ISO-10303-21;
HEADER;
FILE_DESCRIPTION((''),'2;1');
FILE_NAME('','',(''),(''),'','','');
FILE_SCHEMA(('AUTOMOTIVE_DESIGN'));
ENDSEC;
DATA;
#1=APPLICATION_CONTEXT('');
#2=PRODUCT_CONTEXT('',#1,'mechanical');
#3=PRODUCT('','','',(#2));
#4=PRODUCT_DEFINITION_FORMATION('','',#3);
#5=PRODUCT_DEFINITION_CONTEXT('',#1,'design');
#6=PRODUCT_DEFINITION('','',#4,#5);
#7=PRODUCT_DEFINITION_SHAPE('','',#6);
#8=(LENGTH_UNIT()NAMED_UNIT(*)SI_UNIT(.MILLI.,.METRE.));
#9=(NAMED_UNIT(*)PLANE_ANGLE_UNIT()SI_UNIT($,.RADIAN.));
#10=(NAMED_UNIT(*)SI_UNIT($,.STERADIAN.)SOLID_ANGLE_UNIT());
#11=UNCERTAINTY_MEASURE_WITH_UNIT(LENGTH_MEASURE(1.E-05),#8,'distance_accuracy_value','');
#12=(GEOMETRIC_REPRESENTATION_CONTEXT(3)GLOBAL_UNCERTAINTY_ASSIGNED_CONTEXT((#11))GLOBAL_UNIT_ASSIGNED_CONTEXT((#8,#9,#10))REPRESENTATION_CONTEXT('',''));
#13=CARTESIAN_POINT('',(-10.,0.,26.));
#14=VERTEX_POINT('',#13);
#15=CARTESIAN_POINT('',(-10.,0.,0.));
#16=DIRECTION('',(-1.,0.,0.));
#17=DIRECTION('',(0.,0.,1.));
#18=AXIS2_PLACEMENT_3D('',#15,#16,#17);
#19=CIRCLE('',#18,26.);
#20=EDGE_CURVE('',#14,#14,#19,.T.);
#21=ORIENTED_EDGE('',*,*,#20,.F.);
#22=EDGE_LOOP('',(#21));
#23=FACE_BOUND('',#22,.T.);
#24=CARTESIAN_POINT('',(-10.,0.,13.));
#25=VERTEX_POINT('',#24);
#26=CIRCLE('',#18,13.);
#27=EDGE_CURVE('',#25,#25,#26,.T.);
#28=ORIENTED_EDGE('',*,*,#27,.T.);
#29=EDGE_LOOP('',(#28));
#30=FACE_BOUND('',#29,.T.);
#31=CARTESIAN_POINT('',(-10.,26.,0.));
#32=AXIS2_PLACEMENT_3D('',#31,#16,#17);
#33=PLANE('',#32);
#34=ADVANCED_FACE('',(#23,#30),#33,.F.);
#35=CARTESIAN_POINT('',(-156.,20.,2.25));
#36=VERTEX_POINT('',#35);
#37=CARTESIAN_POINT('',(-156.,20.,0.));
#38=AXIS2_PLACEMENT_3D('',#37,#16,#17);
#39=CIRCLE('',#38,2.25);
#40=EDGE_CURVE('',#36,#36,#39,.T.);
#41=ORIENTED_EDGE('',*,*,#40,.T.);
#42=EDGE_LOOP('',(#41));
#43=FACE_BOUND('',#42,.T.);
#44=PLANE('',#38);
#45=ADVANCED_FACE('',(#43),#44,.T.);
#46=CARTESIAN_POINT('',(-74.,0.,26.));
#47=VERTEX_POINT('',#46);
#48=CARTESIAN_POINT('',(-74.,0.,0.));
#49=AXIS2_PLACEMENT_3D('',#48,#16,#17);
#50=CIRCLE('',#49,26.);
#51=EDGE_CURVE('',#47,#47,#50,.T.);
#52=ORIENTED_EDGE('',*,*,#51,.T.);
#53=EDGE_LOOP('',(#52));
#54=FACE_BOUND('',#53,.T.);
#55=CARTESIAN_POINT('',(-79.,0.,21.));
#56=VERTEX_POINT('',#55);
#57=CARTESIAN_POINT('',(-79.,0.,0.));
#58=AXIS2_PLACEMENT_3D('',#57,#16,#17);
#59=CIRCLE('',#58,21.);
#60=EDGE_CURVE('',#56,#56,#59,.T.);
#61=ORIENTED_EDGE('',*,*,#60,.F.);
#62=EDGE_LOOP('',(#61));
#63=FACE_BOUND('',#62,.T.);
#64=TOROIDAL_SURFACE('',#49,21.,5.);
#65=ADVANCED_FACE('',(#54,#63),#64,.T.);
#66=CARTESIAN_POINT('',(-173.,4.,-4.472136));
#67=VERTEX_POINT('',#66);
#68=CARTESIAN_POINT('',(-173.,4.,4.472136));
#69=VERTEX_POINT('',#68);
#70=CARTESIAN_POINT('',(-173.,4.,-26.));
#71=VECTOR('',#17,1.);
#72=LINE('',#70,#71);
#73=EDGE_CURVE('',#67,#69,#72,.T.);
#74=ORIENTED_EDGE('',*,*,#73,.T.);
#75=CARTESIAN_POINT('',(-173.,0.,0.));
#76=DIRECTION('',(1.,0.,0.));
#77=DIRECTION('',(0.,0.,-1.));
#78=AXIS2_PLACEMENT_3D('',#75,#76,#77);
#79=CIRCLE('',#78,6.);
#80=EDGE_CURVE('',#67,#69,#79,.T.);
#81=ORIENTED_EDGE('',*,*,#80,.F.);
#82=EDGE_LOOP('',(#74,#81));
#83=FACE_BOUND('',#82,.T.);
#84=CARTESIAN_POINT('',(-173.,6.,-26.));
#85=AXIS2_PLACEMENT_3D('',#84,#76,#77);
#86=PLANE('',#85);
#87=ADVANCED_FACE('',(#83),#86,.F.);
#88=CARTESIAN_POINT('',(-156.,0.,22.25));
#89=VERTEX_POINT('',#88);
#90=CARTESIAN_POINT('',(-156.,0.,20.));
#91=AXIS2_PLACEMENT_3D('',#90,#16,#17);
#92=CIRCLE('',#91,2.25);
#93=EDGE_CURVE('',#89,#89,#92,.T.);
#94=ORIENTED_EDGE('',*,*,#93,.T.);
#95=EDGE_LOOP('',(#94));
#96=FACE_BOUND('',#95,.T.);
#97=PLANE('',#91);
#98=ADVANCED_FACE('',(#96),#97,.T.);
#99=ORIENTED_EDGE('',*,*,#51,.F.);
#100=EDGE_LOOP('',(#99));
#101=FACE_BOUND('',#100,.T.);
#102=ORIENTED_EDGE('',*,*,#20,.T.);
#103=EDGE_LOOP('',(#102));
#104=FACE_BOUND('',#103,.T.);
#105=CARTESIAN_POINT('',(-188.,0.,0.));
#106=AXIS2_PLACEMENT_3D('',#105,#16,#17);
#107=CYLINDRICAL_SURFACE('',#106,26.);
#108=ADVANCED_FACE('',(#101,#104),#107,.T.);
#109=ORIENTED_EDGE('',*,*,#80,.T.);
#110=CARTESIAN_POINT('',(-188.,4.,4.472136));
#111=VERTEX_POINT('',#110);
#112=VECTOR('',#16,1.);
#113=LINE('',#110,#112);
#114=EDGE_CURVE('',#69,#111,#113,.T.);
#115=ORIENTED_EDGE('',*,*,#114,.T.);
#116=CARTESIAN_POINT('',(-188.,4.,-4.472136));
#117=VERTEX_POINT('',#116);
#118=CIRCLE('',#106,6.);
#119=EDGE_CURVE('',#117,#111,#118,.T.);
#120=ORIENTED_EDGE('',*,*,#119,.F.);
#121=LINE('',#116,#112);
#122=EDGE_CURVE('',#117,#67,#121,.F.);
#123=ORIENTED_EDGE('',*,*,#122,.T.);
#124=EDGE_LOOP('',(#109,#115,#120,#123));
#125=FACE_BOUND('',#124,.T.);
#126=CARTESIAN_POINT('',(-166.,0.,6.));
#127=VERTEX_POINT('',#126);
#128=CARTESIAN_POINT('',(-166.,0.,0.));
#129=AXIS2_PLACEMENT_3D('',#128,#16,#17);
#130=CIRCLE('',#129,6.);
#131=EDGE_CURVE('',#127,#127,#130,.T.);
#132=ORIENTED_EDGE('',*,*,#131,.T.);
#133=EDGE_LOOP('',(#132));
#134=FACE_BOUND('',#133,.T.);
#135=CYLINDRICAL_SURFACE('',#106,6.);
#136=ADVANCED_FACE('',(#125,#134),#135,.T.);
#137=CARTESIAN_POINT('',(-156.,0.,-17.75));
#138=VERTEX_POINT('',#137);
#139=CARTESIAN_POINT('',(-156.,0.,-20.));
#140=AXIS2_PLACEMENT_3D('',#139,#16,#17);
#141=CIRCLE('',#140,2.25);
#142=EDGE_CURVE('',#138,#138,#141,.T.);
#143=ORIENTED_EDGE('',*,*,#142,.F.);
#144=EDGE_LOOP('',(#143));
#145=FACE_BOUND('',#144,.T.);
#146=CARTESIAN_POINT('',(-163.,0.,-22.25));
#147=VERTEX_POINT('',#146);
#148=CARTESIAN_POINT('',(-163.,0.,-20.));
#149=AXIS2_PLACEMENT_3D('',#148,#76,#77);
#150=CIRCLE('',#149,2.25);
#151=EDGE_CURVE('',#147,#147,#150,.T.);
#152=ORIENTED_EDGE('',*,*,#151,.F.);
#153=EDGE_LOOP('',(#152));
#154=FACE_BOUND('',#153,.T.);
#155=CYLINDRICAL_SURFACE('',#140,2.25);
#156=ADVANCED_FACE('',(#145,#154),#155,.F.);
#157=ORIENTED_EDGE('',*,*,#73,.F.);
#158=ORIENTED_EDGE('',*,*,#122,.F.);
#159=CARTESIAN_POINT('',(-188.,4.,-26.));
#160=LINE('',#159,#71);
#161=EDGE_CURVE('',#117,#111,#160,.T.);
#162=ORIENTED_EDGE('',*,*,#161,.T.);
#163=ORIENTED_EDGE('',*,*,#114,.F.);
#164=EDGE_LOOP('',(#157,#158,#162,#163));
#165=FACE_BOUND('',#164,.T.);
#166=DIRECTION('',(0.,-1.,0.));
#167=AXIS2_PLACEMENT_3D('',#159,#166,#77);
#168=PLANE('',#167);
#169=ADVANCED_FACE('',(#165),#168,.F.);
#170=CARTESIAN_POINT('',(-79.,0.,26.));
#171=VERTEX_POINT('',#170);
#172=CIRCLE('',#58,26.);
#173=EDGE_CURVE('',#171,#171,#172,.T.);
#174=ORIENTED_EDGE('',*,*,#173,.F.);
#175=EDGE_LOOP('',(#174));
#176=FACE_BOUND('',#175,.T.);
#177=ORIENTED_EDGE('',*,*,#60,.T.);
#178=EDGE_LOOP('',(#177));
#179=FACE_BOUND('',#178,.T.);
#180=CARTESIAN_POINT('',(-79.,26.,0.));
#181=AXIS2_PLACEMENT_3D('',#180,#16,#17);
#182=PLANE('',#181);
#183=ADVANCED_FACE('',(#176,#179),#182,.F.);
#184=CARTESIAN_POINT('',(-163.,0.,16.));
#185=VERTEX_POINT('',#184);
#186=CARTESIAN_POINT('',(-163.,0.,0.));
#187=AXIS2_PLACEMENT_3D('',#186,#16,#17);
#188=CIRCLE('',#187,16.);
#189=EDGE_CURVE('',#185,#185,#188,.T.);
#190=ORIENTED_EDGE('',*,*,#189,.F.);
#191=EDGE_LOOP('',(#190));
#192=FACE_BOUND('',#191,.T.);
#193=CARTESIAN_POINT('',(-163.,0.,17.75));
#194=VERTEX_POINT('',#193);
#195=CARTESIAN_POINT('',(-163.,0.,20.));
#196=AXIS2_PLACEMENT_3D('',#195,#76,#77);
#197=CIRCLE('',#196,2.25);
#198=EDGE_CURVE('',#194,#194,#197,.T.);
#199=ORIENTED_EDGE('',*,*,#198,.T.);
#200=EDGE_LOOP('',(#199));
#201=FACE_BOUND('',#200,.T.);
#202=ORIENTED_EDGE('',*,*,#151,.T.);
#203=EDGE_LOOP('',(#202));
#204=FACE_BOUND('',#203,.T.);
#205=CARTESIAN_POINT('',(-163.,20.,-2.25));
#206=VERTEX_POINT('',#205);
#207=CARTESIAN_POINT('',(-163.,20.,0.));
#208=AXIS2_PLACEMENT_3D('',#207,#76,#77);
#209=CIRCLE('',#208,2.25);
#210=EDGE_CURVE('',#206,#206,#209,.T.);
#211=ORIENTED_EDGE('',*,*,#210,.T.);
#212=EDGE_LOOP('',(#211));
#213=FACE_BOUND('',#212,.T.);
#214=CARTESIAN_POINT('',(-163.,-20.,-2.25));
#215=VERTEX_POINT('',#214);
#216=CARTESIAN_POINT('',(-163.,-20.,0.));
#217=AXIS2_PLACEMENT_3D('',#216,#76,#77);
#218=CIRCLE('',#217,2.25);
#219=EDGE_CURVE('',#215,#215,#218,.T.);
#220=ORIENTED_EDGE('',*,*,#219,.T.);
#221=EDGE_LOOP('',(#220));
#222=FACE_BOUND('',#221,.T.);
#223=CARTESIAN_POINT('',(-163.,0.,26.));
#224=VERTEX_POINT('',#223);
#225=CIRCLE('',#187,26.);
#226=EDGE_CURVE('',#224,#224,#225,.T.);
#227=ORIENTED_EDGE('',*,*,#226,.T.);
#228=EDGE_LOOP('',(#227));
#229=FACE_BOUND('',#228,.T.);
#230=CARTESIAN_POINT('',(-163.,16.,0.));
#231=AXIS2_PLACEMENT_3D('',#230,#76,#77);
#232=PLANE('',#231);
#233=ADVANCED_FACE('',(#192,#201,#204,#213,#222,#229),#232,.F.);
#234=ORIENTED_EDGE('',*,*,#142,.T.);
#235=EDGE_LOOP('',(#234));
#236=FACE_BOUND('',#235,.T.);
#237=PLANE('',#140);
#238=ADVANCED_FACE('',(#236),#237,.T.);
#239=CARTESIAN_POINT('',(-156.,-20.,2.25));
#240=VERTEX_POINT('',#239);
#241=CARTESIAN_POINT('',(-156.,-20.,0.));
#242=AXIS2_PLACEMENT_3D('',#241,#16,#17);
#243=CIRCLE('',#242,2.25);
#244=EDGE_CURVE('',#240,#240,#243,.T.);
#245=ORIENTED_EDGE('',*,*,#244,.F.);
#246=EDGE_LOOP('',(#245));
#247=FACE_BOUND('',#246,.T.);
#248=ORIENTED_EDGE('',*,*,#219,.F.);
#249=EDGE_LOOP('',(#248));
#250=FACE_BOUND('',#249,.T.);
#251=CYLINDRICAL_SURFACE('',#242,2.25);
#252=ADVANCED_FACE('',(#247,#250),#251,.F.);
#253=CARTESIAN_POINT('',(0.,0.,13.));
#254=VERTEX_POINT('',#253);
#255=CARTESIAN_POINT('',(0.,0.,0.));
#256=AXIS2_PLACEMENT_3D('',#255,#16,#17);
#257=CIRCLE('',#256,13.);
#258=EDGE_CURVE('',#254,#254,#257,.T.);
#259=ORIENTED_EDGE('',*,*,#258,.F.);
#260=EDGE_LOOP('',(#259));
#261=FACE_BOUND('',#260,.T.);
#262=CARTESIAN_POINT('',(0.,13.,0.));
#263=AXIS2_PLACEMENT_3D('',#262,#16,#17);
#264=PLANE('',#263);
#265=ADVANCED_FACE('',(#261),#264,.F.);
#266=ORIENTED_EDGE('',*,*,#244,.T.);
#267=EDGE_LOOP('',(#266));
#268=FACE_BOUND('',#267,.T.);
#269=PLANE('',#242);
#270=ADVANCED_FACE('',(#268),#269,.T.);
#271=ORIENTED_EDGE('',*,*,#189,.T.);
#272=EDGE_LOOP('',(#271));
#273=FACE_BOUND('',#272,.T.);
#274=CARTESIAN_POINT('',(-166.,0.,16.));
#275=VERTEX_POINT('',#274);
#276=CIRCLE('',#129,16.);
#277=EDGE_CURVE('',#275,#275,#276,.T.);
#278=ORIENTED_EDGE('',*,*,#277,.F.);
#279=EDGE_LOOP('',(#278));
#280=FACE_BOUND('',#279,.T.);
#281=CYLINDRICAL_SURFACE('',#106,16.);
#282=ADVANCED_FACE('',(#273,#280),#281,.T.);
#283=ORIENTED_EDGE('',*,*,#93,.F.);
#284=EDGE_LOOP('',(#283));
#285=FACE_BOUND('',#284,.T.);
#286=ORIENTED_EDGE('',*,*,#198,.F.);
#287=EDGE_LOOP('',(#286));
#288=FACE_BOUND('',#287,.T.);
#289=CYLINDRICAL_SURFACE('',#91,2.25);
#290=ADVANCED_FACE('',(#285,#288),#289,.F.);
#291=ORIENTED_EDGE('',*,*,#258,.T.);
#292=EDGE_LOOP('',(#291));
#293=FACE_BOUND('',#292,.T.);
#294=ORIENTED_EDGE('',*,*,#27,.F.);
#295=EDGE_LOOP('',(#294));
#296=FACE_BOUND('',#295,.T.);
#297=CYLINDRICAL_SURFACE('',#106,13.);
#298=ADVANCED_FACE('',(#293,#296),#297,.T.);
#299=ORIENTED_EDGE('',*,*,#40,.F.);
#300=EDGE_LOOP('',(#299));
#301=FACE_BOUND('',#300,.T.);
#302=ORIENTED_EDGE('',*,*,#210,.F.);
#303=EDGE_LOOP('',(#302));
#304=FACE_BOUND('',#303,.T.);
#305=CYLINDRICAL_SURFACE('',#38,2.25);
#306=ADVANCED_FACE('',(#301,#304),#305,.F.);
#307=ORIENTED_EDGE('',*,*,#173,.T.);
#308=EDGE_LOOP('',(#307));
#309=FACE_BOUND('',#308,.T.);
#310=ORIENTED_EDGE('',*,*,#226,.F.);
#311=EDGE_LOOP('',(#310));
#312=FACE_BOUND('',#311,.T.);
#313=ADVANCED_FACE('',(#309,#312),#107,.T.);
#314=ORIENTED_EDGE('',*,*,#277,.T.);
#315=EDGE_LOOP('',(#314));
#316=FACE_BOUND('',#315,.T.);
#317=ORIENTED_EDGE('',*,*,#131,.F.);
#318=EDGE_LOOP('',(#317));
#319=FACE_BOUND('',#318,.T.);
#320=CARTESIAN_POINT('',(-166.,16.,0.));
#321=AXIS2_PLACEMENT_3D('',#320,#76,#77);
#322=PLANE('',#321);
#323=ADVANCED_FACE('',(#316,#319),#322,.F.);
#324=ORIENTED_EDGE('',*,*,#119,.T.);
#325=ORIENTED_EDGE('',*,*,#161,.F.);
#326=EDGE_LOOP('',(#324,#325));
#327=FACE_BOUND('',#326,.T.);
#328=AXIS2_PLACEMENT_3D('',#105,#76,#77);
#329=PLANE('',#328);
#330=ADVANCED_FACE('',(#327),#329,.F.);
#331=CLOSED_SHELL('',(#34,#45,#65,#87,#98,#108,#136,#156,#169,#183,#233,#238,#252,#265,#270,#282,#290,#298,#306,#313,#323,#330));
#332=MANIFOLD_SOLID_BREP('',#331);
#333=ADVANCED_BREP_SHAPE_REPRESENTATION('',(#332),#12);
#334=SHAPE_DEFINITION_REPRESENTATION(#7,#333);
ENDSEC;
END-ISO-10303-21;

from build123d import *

# Parameters (mm, degrees)
CUT_EXTRUDE_1_DEPTH      = 192.562000407
CUT_EXTRUDE_1_DEPTH_BACK = 192.562000407
SKETCH_2_W               = 15
SKETCH_2_H               = 2
SKETCH_3_R               = 2.25
CUT_EXTRUDE_2_DEPTH      = 10


with BuildPart() as part:
    # 草圖1 → 旋轉1 (revolve)
    with BuildSketch(Plane.XY, mode=Mode.PRIVATE) as revolve_1_sk:
        with BuildLine():
            Line((-188, 0), (-188, 6))
            Line((-188, 6), (-166, 6))
            Line((-166, 6), (-166, 16))
            Line((-166, 16), (-163, 16))
            Line((-163, 16), (-163, 26))
            Line((-163, 26), (-79, 26))
            Line((-79, 26), (-79, 21))
            ThreePointArc((-79, 21), (-77.535533906, 24.535533906), (-74, 26))
            Line((-74, 26), (-10, 26))
            Line((-10, 26), (-10, 13))
            Line((-10, 13), (0, 13))
            Line((0, 13), (0, 0))
            Line((0, 0), (-188, 0))
        make_face()
    revolve(revolve_1_sk.sketch.rotate(Axis((-188, 0, 0), (1, 0, 0)), 90), axis=Axis((-188, 0, 0), (1, 0, 0)))

    # 草圖2 → 伸長1 (cut, two sides: drawn at the far end of the back side and taken through both)
    with BuildSketch(Plane.XY.offset(-CUT_EXTRUDE_1_DEPTH_BACK)):
        with Locations((-180.5, 5)):
            Rectangle(SKETCH_2_W, SKETCH_2_H)
    extrude(amount=CUT_EXTRUDE_1_DEPTH + CUT_EXTRUDE_1_DEPTH_BACK, mode=Mode.SUBTRACT)

    # 草圖3 → 伸長2 (cut)
    with BuildSketch(Plane.ZY.offset(166)):
        with Locations((0, 20)):
            Circle(SKETCH_3_R)
        with Locations((20, 0)):
            Circle(SKETCH_3_R)
        with Locations((0, -20)):
            Circle(SKETCH_3_R)
        with Locations((-20, 0)):
            Circle(SKETCH_3_R)
    extrude(amount=-CUT_EXTRUDE_2_DEPTH, mode=Mode.SUBTRACT)


solid = part.part
